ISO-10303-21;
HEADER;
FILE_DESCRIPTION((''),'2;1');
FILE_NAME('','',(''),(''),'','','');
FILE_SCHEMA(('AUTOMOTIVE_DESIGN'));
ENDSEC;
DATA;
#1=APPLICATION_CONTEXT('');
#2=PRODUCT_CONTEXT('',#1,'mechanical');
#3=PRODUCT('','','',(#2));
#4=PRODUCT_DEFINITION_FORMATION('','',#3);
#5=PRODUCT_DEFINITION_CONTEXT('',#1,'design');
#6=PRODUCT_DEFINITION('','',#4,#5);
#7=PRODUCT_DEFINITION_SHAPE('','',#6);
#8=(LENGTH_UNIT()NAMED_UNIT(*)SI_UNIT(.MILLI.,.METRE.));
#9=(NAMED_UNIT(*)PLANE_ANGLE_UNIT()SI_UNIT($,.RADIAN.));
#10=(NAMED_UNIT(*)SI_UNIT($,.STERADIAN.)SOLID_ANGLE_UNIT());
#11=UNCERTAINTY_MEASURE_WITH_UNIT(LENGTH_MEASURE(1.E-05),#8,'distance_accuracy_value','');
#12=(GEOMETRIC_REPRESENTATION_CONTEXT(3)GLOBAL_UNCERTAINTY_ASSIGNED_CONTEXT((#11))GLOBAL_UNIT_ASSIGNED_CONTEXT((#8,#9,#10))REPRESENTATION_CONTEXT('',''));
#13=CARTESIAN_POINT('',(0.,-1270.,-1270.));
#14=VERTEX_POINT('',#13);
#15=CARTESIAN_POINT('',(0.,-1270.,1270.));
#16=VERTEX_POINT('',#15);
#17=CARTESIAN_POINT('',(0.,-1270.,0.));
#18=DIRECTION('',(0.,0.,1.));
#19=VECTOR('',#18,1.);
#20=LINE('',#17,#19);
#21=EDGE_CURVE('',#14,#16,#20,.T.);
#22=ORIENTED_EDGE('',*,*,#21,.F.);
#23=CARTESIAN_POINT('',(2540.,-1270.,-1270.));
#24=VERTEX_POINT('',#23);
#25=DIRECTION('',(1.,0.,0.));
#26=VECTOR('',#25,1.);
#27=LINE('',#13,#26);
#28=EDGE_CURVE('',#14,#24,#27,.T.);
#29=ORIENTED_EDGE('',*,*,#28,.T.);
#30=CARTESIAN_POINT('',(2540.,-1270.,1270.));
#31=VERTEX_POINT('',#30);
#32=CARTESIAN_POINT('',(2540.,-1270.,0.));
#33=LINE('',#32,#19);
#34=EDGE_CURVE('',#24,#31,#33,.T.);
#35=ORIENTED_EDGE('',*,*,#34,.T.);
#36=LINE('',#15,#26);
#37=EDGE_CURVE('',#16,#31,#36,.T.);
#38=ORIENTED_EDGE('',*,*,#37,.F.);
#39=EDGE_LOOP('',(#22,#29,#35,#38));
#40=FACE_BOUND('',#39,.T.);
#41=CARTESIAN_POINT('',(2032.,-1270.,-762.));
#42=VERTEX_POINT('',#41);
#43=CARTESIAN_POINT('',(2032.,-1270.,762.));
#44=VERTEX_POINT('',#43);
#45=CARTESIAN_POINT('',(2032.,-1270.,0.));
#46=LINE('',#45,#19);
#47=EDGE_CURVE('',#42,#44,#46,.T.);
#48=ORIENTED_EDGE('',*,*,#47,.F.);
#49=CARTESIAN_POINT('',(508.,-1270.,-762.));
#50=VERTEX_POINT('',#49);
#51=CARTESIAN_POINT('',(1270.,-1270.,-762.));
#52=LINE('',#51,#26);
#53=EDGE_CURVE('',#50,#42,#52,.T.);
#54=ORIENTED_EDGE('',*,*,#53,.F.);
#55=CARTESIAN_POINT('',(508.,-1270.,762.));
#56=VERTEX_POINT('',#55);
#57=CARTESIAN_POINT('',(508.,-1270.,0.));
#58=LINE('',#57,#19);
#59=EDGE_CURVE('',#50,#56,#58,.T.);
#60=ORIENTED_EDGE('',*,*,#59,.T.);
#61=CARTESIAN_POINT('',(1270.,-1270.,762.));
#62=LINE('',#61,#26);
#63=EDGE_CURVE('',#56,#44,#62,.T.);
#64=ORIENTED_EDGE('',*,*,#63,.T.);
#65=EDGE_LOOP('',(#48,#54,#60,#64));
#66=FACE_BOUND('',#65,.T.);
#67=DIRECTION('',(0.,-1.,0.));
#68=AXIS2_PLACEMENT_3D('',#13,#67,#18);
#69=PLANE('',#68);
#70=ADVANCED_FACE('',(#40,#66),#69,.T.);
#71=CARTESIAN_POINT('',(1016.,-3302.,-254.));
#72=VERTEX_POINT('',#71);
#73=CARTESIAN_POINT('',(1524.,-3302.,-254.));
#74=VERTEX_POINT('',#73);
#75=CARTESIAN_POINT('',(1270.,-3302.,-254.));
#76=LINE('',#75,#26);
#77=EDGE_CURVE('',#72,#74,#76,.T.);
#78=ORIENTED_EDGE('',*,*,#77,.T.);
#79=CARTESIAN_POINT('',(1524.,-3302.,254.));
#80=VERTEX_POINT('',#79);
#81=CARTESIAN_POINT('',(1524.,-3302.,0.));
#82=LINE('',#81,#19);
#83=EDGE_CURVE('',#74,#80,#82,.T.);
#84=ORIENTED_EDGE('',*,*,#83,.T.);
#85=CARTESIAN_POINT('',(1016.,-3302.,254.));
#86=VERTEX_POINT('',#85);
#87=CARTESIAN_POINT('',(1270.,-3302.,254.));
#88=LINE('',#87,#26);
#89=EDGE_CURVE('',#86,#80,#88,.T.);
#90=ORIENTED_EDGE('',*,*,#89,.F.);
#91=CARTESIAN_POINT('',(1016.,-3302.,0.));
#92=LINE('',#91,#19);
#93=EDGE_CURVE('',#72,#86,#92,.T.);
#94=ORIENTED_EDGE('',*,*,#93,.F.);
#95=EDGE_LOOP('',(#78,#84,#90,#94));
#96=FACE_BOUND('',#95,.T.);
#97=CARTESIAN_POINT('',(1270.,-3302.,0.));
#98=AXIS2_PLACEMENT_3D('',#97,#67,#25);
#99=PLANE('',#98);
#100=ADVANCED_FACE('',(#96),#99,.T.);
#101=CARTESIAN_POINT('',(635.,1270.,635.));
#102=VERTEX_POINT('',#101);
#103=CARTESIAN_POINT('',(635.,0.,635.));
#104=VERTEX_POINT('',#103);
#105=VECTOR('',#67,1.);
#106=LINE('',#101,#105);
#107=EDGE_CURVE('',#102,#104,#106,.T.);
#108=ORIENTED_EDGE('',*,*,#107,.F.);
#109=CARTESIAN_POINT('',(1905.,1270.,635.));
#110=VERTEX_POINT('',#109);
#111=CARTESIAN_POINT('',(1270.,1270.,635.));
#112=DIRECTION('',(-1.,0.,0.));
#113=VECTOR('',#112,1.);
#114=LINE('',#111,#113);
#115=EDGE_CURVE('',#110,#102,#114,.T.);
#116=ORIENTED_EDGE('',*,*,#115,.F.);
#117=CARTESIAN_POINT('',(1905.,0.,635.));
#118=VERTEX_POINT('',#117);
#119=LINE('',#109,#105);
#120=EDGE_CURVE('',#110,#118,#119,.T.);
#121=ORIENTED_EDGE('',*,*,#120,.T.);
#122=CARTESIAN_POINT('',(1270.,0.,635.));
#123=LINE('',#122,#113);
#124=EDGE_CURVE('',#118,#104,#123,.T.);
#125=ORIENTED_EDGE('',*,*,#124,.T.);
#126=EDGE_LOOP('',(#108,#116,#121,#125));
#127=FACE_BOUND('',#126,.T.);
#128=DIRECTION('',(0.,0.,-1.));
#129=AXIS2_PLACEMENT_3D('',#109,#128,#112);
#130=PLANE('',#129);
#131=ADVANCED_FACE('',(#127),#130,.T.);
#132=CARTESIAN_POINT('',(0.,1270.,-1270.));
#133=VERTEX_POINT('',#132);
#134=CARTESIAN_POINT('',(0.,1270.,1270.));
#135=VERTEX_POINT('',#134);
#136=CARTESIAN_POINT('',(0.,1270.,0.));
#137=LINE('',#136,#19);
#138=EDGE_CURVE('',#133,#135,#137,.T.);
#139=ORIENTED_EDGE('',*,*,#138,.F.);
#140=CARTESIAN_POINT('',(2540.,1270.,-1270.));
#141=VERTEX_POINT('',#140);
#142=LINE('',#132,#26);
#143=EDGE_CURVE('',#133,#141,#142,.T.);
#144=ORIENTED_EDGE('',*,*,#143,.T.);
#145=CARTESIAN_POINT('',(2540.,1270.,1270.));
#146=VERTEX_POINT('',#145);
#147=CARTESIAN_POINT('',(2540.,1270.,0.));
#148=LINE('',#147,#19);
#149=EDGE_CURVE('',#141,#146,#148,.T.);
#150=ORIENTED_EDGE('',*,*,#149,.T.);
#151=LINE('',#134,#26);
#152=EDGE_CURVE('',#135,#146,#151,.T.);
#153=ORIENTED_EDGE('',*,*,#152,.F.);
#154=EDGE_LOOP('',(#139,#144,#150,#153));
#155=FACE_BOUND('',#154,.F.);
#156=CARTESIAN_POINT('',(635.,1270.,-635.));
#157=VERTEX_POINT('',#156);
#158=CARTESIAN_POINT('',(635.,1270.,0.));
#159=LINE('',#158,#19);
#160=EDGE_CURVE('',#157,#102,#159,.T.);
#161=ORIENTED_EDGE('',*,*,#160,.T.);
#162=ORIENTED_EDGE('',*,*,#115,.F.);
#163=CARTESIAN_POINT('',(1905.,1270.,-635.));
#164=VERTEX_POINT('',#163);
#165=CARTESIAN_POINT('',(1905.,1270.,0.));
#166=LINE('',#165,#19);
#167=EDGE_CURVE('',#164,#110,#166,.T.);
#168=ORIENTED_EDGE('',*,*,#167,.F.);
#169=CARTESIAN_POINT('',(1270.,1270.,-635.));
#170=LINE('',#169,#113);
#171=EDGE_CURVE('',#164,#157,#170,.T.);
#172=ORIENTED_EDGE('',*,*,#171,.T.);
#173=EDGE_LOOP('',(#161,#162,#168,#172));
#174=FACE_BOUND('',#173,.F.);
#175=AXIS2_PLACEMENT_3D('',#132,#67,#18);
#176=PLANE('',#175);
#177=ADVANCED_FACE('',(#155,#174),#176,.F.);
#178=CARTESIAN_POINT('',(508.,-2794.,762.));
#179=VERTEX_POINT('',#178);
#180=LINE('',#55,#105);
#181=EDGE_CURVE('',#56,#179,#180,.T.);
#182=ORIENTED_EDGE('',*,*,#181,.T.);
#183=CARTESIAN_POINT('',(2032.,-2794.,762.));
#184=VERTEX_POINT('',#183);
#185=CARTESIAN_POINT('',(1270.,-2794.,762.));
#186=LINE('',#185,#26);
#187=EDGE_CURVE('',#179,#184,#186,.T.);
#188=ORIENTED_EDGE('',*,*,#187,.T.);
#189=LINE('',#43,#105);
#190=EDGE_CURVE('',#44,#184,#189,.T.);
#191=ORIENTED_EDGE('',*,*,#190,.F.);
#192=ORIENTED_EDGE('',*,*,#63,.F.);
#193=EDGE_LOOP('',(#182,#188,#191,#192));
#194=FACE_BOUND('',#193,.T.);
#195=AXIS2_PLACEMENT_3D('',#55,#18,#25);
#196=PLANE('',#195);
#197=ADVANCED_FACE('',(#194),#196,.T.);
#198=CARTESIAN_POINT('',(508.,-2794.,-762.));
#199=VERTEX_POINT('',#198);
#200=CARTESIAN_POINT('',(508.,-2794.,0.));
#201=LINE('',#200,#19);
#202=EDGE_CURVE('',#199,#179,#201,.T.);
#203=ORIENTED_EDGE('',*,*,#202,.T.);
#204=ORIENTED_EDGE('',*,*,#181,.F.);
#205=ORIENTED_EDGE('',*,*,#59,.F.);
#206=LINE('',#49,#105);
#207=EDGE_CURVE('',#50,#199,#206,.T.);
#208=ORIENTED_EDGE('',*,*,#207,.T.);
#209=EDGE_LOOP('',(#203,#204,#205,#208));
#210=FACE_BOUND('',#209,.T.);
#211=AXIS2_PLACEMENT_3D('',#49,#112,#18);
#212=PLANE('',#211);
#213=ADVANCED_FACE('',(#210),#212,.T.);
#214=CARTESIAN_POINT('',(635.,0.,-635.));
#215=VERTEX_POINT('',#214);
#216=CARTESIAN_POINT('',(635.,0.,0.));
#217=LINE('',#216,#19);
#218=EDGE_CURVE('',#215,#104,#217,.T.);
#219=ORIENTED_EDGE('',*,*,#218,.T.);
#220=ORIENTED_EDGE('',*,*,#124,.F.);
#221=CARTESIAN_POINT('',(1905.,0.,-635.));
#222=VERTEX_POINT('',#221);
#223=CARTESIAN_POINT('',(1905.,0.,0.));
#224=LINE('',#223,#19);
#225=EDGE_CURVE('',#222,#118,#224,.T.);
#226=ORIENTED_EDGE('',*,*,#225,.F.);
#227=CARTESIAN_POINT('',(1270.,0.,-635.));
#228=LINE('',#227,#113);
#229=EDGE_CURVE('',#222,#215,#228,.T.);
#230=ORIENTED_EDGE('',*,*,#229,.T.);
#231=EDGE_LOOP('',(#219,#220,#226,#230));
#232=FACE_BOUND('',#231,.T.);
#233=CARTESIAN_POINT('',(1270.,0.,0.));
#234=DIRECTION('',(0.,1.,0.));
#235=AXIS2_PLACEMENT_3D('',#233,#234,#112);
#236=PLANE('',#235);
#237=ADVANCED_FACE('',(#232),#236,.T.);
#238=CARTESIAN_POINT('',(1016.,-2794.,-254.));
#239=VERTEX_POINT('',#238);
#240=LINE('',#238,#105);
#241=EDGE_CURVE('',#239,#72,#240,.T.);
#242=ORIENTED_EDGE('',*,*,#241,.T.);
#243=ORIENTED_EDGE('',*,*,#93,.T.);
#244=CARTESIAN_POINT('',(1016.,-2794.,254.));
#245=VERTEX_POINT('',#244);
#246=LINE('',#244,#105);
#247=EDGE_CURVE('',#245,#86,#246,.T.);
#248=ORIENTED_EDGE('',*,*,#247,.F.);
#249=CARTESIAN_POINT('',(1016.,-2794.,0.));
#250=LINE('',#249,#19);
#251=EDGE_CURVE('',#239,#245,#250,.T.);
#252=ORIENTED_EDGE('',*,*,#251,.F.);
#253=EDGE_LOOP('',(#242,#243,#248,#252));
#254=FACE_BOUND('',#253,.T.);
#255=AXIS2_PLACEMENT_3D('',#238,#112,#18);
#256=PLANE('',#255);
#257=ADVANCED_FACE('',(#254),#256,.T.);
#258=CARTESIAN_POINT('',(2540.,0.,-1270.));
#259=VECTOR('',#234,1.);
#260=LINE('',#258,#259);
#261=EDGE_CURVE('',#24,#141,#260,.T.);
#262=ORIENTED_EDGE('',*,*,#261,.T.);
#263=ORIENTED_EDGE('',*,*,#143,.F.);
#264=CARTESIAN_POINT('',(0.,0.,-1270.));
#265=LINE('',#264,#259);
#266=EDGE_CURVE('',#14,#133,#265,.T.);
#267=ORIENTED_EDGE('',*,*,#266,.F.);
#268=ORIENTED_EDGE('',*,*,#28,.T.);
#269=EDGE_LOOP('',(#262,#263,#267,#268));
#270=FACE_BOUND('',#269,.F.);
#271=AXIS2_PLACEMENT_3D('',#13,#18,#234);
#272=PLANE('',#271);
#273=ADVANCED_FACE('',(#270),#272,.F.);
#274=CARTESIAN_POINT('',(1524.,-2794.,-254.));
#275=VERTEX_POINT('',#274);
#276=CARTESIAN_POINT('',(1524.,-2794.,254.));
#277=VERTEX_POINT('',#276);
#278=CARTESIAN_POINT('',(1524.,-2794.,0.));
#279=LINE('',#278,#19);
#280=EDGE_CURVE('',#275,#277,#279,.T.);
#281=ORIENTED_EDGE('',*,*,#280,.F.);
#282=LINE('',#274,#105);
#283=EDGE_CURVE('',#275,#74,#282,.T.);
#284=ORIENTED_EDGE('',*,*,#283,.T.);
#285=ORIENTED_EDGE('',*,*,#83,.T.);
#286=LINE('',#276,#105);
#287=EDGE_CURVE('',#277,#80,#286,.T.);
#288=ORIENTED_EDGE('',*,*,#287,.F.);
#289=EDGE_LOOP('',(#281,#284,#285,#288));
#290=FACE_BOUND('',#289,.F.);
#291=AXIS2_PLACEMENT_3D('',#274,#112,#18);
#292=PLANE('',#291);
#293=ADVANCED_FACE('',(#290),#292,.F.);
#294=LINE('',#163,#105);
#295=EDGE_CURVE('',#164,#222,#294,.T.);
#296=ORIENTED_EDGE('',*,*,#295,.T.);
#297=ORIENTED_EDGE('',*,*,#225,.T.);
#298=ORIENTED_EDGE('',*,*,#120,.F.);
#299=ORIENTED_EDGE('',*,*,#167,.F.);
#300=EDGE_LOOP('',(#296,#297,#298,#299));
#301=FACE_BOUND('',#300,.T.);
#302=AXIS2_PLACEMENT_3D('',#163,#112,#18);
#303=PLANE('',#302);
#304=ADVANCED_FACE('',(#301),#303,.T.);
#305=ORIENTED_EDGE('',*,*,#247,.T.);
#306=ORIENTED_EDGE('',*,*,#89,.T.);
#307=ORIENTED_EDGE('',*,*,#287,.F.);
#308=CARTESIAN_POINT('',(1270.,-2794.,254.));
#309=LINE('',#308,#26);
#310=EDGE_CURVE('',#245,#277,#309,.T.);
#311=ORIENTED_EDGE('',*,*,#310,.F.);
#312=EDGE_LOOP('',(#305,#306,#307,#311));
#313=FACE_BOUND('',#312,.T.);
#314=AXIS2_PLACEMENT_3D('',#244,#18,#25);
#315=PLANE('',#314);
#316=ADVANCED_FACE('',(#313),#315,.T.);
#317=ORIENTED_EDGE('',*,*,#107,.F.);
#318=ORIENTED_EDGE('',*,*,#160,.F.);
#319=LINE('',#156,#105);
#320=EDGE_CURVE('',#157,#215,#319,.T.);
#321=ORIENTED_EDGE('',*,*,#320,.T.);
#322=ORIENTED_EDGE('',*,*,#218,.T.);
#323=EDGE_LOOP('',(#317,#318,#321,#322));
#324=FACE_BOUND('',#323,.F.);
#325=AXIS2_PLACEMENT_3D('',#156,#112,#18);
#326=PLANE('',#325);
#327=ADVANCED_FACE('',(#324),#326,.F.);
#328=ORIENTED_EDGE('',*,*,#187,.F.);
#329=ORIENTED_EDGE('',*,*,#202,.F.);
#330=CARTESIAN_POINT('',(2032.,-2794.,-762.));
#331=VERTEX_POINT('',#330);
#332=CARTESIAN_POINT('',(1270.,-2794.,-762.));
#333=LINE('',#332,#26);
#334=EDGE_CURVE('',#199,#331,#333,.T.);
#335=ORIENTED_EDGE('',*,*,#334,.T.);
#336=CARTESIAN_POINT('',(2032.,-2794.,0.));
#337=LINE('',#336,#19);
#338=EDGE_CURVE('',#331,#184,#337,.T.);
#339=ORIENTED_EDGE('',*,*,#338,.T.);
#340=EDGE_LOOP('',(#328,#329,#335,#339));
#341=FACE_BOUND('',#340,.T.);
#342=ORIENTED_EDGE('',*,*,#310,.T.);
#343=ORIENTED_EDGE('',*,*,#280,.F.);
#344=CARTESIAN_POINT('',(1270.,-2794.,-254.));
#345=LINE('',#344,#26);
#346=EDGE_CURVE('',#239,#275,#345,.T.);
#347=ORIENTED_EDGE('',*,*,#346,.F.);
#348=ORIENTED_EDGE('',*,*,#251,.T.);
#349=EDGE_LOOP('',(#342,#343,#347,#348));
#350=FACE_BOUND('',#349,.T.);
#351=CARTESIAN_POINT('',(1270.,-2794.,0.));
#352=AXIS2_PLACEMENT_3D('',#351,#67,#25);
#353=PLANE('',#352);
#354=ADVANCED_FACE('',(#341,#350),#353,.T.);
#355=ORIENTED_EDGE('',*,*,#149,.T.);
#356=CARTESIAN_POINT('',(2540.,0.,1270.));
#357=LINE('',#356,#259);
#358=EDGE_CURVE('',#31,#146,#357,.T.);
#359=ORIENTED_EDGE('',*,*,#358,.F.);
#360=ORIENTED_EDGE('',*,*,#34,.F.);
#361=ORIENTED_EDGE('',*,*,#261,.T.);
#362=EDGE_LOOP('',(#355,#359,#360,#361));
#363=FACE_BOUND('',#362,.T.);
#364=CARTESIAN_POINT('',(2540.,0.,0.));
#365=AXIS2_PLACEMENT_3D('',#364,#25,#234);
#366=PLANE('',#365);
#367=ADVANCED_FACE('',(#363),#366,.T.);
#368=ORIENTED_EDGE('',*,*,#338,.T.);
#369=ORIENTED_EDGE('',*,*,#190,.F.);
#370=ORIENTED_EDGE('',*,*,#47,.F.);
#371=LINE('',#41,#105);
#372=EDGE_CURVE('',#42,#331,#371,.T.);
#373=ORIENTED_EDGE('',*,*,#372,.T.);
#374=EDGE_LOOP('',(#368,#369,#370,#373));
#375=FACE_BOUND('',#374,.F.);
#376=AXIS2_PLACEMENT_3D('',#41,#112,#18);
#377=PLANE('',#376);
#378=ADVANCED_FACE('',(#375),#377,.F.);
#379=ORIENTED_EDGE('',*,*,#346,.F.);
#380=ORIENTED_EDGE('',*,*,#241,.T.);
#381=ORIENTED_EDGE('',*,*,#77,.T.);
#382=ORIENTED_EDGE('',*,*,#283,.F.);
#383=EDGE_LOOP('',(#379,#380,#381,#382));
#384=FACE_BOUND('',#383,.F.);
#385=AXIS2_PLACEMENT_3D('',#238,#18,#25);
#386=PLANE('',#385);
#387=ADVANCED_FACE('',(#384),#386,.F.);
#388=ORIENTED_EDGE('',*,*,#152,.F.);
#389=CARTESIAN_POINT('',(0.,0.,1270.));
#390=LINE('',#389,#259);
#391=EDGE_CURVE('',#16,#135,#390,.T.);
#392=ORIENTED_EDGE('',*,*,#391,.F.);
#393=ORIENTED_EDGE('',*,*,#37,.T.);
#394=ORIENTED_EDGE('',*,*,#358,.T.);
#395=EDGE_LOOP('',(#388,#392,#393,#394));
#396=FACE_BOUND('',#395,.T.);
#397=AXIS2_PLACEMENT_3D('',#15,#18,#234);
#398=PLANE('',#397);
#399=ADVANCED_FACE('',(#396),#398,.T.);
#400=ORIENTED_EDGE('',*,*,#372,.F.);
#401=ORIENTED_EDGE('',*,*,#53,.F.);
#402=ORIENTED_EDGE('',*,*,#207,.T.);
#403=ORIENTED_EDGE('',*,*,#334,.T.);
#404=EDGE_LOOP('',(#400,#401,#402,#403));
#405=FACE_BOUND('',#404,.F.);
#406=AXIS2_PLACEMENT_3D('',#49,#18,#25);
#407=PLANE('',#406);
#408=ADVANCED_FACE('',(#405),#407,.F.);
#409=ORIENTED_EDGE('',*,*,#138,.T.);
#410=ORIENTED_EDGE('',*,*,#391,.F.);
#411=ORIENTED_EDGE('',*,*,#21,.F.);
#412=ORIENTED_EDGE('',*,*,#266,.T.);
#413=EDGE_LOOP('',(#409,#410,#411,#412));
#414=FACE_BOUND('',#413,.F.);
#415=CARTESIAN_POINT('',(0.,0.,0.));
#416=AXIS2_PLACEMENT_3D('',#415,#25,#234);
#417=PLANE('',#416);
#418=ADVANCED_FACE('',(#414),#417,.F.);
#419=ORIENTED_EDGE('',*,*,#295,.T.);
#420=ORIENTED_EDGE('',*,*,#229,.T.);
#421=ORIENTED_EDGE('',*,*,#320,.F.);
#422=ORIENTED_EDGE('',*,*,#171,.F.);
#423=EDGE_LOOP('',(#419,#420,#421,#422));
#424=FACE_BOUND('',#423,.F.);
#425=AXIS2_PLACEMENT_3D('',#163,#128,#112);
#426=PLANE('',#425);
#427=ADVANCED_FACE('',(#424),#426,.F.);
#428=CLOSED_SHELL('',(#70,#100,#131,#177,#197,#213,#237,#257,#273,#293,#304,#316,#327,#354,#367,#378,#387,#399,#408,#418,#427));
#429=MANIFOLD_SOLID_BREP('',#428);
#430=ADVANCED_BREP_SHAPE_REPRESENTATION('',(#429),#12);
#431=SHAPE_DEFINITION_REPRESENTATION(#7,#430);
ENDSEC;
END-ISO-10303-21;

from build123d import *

# Parameters (mm, degrees)
F0_W     = 2540
F0_H     = 2540
F1_DEPTH = 2540
F2_W     = 1524
F2_H     = 1524
F3_DEPTH = 1524
F4_W     = 508
F4_H     = 508
F5_DEPTH = 508
F6_W     = 1270
F6_H     = 1270
F7_DEPTH = 1270


with BuildPart() as f1:
    # F0 (on Right) → F1 (new body)
    with BuildSketch(Plane.YZ):
        Rectangle(F0_W, F0_H)
    extrude(amount=F1_DEPTH)

    # F2 (on face) → F3 (join)
    with BuildSketch(Plane.XZ.offset(1270)):
        with Locations((1270, 0)):
            Rectangle(F2_W, F2_H)
    extrude(amount=F3_DEPTH)

    # F4 (on face) → F5 (join)
    with BuildSketch(Plane.XZ.offset(2794)):
        with Locations((1270, 0)):
            Rectangle(F4_W, F4_H)
    extrude(amount=F5_DEPTH)

    # F6 (on face) → F7 (cut)
    with BuildSketch(Plane(origin=(0, 1270, 0), x_dir=(-1, 0, 0), z_dir=(0, 1, 0))):
        with Locations((-1270, 0)):
            Rectangle(F6_W, F6_H)
    extrude(amount=-F7_DEPTH, mode=Mode.SUBTRACT)


solid = f1.part
